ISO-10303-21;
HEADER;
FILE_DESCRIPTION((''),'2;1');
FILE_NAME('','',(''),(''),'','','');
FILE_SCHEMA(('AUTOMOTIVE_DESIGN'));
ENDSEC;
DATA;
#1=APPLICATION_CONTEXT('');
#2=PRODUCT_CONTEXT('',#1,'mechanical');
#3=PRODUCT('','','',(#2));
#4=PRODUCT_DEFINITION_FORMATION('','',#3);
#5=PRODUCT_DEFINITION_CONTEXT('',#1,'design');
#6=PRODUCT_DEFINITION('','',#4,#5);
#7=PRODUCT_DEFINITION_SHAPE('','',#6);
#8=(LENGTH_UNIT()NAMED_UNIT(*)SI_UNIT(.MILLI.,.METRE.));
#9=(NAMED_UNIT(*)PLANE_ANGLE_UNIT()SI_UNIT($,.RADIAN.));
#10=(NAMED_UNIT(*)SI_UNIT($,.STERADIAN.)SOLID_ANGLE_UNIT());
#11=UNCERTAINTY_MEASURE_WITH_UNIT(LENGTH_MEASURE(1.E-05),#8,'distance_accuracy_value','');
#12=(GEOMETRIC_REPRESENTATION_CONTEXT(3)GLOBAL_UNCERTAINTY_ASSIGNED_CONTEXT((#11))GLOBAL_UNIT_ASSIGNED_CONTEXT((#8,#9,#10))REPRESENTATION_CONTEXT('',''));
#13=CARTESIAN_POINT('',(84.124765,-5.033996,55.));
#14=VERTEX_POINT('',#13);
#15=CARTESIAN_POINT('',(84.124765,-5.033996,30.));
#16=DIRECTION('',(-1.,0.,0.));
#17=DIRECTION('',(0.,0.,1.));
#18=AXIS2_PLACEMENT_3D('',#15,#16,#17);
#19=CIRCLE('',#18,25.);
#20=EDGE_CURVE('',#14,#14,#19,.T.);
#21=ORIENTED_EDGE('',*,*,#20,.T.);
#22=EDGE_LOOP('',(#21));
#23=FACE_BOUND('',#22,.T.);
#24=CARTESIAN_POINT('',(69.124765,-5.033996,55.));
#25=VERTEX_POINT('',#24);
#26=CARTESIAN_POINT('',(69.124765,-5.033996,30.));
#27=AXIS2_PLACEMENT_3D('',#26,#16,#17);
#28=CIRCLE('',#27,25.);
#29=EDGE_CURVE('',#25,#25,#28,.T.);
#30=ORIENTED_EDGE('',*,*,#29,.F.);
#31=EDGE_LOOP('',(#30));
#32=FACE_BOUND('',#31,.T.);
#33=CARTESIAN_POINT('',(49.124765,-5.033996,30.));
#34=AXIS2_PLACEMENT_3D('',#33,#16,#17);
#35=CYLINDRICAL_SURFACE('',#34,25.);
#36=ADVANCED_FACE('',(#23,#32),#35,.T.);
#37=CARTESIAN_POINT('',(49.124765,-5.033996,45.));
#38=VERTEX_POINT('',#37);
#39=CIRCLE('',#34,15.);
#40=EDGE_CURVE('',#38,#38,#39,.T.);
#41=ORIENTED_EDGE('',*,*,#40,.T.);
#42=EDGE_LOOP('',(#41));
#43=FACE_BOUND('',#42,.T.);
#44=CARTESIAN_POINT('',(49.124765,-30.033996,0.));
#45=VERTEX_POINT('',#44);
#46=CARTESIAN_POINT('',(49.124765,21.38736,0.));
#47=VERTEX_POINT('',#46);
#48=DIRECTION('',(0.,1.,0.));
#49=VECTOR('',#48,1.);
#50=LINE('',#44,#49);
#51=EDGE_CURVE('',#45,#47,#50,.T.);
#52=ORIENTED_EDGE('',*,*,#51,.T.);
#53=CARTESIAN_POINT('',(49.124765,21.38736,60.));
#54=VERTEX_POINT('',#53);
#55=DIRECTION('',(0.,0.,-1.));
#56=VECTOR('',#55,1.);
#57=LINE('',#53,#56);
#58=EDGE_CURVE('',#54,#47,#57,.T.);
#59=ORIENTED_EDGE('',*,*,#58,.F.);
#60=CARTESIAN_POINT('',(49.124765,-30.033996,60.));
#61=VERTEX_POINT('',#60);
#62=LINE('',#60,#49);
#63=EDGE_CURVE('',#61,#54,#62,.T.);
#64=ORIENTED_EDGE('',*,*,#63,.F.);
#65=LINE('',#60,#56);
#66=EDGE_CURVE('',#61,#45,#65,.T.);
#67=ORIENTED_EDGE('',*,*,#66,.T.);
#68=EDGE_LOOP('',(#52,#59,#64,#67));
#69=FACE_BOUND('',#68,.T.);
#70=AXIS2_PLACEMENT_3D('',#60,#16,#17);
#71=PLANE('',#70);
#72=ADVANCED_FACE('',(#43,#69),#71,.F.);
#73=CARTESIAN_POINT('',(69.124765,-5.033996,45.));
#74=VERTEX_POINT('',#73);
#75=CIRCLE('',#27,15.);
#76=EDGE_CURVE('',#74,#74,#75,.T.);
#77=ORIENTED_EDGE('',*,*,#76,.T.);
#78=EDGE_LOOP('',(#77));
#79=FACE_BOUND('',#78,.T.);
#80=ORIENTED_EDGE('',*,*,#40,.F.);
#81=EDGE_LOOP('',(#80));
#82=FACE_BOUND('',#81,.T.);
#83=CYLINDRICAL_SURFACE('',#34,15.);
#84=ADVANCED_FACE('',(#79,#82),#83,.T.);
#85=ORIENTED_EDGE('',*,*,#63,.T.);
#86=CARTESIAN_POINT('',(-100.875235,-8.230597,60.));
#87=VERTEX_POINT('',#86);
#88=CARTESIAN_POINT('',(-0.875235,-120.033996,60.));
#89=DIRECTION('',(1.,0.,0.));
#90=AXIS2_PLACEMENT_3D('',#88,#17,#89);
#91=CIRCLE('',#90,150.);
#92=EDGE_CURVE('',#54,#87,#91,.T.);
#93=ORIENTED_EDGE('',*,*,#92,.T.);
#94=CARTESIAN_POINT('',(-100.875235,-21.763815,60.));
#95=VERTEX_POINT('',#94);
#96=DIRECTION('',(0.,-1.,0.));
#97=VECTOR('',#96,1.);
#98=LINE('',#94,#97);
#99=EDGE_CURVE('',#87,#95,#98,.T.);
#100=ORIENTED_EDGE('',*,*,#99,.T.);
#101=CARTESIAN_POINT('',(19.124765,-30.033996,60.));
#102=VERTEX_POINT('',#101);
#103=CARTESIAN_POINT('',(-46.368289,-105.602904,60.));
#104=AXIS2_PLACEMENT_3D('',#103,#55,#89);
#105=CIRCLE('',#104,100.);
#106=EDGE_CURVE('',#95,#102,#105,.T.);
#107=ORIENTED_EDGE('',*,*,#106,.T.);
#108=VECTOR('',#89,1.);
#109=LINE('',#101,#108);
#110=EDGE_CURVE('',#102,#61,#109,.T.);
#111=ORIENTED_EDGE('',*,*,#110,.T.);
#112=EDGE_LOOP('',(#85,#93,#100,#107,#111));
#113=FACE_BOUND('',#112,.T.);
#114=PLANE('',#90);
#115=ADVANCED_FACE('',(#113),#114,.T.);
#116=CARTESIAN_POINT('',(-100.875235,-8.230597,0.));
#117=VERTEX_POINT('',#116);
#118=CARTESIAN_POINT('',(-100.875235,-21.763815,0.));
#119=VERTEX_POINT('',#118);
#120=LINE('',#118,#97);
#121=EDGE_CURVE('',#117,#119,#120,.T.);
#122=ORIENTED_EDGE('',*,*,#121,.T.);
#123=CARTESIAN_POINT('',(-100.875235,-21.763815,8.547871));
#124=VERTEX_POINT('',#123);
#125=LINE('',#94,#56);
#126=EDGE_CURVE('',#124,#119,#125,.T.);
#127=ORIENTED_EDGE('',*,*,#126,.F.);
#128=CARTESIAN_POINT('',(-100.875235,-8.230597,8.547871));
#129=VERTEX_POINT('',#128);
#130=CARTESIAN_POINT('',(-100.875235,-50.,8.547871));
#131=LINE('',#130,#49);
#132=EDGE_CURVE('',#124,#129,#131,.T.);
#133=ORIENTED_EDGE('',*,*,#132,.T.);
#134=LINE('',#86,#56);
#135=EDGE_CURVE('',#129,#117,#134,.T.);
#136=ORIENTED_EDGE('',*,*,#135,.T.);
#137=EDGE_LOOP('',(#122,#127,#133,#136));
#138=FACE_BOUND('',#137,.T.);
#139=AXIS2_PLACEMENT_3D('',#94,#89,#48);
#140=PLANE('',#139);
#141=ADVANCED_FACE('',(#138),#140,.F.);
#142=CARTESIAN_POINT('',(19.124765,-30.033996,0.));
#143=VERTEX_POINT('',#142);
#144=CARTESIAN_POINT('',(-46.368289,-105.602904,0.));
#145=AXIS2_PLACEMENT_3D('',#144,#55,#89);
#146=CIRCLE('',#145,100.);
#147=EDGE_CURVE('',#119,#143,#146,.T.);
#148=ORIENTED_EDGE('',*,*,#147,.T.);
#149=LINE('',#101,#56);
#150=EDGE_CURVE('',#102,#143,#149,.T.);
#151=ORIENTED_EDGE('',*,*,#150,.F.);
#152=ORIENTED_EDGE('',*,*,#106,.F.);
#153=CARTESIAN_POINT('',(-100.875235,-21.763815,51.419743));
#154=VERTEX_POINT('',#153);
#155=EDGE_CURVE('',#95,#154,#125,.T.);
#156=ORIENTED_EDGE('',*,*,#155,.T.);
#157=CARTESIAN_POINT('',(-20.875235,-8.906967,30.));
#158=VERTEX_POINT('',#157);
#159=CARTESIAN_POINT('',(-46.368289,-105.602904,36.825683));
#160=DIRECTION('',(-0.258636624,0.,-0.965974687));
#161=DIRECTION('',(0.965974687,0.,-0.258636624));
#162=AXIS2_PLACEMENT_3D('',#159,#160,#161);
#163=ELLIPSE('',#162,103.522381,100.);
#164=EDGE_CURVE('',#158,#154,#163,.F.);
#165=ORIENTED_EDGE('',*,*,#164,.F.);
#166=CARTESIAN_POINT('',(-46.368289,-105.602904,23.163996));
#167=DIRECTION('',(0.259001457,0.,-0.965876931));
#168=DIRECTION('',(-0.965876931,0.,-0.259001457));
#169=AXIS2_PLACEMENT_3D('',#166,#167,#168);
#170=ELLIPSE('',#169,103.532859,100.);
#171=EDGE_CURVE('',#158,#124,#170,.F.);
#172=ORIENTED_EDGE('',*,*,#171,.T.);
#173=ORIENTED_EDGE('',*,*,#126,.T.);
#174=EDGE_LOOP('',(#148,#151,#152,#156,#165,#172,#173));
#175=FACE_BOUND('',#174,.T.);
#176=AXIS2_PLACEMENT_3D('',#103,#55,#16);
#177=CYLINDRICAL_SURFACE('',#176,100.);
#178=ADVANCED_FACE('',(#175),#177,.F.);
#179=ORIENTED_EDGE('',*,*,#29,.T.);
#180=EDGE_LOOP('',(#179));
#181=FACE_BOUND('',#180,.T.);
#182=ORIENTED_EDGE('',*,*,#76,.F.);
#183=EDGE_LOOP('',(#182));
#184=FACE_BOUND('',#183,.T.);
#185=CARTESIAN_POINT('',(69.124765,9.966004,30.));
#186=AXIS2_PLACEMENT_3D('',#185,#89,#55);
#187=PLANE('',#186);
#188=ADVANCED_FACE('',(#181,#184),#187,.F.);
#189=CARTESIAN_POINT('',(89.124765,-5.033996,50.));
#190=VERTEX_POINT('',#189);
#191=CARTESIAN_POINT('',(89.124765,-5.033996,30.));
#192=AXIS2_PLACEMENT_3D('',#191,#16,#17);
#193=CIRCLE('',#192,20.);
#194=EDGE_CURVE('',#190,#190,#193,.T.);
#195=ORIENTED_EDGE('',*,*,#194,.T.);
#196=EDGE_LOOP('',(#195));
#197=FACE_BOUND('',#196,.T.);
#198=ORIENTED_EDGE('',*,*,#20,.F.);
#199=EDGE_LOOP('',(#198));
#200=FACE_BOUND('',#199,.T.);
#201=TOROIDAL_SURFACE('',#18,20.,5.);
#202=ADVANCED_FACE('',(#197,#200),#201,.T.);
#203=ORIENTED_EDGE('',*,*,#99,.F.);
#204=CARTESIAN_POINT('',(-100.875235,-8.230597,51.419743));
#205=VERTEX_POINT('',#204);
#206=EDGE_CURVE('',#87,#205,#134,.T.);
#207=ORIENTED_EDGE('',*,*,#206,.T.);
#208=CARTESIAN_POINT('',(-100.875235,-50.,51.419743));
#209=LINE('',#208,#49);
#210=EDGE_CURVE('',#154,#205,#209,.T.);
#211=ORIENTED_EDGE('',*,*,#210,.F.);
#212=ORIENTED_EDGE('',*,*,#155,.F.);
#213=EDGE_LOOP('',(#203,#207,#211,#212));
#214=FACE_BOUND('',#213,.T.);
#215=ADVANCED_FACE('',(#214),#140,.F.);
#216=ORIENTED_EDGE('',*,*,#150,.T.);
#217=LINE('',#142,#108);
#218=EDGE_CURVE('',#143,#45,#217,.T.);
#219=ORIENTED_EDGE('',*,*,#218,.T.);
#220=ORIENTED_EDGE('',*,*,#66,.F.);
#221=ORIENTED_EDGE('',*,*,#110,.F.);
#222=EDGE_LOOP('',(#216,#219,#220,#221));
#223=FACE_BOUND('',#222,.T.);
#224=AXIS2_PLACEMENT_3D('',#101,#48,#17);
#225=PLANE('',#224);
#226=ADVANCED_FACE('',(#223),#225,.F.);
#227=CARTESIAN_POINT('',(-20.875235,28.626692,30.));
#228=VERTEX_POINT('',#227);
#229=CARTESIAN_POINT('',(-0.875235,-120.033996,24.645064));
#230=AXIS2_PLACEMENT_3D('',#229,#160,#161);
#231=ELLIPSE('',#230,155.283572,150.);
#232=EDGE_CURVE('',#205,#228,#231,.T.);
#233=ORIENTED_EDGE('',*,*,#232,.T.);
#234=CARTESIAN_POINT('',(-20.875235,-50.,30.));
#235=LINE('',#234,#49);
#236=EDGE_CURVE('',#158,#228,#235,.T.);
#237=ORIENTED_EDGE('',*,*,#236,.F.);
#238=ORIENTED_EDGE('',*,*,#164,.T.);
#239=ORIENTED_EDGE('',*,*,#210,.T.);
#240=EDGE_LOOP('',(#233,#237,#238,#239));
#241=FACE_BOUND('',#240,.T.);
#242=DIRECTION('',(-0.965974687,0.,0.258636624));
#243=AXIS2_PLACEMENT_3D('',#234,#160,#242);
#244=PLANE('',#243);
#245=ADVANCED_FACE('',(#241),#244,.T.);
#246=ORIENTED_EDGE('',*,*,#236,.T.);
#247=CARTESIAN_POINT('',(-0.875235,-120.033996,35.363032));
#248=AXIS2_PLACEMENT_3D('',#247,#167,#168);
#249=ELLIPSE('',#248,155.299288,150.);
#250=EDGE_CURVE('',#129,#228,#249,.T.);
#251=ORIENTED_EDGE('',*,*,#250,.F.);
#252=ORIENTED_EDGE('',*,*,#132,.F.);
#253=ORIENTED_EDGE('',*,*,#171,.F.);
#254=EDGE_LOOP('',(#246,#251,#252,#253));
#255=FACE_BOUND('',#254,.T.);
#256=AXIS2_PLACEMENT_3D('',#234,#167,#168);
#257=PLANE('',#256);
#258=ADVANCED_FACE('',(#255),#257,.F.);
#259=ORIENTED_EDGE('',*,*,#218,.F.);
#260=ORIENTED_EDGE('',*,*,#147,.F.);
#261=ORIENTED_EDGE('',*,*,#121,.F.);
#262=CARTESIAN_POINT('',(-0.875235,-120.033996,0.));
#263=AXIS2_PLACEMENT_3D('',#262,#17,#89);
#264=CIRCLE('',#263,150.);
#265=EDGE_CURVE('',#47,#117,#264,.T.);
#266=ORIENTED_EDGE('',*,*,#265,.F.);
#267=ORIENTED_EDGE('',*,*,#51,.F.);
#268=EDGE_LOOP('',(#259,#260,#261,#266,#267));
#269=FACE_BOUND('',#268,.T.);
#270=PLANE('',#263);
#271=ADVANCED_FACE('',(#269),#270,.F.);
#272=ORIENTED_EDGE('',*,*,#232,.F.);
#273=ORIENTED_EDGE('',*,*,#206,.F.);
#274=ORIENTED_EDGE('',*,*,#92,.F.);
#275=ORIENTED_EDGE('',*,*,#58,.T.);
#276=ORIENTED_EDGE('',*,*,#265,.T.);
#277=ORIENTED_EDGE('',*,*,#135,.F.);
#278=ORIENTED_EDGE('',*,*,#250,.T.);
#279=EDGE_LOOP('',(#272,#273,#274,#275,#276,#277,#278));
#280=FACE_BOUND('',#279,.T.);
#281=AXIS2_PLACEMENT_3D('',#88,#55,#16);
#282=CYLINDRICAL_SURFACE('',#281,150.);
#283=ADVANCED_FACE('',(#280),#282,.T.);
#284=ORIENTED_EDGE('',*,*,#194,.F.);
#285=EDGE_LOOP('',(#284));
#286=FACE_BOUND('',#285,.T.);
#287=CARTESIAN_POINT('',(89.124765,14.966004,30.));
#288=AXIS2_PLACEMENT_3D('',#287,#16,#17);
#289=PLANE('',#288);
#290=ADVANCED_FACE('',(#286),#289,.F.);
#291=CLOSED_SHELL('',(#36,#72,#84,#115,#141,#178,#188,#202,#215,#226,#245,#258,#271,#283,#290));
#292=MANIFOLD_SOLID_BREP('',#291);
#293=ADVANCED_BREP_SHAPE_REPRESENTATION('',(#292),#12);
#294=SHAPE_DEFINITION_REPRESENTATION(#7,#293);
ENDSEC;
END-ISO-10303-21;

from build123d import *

# Parameters (mm, degrees)
BOSS_EXTRUDE1_DEPTH = 60
CUT_EXTRUDE1_DEPTH  = 50
CUT_EXTRUDE2_DEPTH  = 50


with BuildPart() as part:
    # Sketch1 → Boss-Extrude1 (new body)
    with BuildSketch(Plane.XY):
        with BuildLine():
            Line((49.124764621, -30.033995939), (49.124764621, 21.387360298))
            ThreePointArc((49.124764621, 21.387360298), (-29.932176884, 27.124741995), (-100.875235379, -8.230597064))
            Line((-100.875235379, -8.230597064), (-100.875235379, -21.76381536))
            ThreePointArc((-100.875235379, -21.76381536), (-39.492781079, -5.839547279), (19.124764621, -30.033995939))
            Line((19.124764621, -30.033995939), (49.124764621, -30.033995939))
        make_face()
    extrude(amount=BOSS_EXTRUDE1_DEPTH)

    # Sketch3 → Revolve1 (revolve)
    with BuildSketch(Plane.XY.offset(30)):
        with BuildLine():
            Line((49.124764621, -5.033995939), (49.124764621, 9.966004061))
            Line((49.124764621, 9.966004061), (69.124764621, 9.966004061))
            Line((69.124764621, 9.966004061), (69.124764621, 19.966004061))
            Line((69.124764621, 19.966004061), (84.124764621, 19.966004061))
            ThreePointArc((84.124764621, 19.966004061), (87.660298526, 18.501537967), (89.124764621, 14.966004061))
            Line((89.124764621, 14.966004061), (89.124764621, -5.033995939))
            Line((89.124764621, -5.033995939), (49.124764621, -5.033995939))
        make_face()
    revolve(axis=Axis((49.124764621, -5.033995939, 30), (1, 0, 0)))

    # Sketch5 → Cut-Extrude1 (cut)
    with BuildSketch(Plane(origin=(0, 0, 0), x_dir=(1, 0, 0), z_dir=(0, 1, 0))):
        Polygon((-100.875235379, -8.547870984), (-100.875235379, -51.419743412), (-20.875235379, -30), align=None)
    extrude(amount=-CUT_EXTRUDE1_DEPTH, mode=Mode.SUBTRACT)

    # Sketch6 → Cut-Extrude2 (cut)
    with BuildSketch(Plane.XZ):
        Polygon((-90.829889616, 48.730134303), (-20.875235379, 30), (-90.829889616, 11.24154665), align=None)
    extrude(amount=-CUT_EXTRUDE2_DEPTH, mode=Mode.SUBTRACT)


solid = part.part
